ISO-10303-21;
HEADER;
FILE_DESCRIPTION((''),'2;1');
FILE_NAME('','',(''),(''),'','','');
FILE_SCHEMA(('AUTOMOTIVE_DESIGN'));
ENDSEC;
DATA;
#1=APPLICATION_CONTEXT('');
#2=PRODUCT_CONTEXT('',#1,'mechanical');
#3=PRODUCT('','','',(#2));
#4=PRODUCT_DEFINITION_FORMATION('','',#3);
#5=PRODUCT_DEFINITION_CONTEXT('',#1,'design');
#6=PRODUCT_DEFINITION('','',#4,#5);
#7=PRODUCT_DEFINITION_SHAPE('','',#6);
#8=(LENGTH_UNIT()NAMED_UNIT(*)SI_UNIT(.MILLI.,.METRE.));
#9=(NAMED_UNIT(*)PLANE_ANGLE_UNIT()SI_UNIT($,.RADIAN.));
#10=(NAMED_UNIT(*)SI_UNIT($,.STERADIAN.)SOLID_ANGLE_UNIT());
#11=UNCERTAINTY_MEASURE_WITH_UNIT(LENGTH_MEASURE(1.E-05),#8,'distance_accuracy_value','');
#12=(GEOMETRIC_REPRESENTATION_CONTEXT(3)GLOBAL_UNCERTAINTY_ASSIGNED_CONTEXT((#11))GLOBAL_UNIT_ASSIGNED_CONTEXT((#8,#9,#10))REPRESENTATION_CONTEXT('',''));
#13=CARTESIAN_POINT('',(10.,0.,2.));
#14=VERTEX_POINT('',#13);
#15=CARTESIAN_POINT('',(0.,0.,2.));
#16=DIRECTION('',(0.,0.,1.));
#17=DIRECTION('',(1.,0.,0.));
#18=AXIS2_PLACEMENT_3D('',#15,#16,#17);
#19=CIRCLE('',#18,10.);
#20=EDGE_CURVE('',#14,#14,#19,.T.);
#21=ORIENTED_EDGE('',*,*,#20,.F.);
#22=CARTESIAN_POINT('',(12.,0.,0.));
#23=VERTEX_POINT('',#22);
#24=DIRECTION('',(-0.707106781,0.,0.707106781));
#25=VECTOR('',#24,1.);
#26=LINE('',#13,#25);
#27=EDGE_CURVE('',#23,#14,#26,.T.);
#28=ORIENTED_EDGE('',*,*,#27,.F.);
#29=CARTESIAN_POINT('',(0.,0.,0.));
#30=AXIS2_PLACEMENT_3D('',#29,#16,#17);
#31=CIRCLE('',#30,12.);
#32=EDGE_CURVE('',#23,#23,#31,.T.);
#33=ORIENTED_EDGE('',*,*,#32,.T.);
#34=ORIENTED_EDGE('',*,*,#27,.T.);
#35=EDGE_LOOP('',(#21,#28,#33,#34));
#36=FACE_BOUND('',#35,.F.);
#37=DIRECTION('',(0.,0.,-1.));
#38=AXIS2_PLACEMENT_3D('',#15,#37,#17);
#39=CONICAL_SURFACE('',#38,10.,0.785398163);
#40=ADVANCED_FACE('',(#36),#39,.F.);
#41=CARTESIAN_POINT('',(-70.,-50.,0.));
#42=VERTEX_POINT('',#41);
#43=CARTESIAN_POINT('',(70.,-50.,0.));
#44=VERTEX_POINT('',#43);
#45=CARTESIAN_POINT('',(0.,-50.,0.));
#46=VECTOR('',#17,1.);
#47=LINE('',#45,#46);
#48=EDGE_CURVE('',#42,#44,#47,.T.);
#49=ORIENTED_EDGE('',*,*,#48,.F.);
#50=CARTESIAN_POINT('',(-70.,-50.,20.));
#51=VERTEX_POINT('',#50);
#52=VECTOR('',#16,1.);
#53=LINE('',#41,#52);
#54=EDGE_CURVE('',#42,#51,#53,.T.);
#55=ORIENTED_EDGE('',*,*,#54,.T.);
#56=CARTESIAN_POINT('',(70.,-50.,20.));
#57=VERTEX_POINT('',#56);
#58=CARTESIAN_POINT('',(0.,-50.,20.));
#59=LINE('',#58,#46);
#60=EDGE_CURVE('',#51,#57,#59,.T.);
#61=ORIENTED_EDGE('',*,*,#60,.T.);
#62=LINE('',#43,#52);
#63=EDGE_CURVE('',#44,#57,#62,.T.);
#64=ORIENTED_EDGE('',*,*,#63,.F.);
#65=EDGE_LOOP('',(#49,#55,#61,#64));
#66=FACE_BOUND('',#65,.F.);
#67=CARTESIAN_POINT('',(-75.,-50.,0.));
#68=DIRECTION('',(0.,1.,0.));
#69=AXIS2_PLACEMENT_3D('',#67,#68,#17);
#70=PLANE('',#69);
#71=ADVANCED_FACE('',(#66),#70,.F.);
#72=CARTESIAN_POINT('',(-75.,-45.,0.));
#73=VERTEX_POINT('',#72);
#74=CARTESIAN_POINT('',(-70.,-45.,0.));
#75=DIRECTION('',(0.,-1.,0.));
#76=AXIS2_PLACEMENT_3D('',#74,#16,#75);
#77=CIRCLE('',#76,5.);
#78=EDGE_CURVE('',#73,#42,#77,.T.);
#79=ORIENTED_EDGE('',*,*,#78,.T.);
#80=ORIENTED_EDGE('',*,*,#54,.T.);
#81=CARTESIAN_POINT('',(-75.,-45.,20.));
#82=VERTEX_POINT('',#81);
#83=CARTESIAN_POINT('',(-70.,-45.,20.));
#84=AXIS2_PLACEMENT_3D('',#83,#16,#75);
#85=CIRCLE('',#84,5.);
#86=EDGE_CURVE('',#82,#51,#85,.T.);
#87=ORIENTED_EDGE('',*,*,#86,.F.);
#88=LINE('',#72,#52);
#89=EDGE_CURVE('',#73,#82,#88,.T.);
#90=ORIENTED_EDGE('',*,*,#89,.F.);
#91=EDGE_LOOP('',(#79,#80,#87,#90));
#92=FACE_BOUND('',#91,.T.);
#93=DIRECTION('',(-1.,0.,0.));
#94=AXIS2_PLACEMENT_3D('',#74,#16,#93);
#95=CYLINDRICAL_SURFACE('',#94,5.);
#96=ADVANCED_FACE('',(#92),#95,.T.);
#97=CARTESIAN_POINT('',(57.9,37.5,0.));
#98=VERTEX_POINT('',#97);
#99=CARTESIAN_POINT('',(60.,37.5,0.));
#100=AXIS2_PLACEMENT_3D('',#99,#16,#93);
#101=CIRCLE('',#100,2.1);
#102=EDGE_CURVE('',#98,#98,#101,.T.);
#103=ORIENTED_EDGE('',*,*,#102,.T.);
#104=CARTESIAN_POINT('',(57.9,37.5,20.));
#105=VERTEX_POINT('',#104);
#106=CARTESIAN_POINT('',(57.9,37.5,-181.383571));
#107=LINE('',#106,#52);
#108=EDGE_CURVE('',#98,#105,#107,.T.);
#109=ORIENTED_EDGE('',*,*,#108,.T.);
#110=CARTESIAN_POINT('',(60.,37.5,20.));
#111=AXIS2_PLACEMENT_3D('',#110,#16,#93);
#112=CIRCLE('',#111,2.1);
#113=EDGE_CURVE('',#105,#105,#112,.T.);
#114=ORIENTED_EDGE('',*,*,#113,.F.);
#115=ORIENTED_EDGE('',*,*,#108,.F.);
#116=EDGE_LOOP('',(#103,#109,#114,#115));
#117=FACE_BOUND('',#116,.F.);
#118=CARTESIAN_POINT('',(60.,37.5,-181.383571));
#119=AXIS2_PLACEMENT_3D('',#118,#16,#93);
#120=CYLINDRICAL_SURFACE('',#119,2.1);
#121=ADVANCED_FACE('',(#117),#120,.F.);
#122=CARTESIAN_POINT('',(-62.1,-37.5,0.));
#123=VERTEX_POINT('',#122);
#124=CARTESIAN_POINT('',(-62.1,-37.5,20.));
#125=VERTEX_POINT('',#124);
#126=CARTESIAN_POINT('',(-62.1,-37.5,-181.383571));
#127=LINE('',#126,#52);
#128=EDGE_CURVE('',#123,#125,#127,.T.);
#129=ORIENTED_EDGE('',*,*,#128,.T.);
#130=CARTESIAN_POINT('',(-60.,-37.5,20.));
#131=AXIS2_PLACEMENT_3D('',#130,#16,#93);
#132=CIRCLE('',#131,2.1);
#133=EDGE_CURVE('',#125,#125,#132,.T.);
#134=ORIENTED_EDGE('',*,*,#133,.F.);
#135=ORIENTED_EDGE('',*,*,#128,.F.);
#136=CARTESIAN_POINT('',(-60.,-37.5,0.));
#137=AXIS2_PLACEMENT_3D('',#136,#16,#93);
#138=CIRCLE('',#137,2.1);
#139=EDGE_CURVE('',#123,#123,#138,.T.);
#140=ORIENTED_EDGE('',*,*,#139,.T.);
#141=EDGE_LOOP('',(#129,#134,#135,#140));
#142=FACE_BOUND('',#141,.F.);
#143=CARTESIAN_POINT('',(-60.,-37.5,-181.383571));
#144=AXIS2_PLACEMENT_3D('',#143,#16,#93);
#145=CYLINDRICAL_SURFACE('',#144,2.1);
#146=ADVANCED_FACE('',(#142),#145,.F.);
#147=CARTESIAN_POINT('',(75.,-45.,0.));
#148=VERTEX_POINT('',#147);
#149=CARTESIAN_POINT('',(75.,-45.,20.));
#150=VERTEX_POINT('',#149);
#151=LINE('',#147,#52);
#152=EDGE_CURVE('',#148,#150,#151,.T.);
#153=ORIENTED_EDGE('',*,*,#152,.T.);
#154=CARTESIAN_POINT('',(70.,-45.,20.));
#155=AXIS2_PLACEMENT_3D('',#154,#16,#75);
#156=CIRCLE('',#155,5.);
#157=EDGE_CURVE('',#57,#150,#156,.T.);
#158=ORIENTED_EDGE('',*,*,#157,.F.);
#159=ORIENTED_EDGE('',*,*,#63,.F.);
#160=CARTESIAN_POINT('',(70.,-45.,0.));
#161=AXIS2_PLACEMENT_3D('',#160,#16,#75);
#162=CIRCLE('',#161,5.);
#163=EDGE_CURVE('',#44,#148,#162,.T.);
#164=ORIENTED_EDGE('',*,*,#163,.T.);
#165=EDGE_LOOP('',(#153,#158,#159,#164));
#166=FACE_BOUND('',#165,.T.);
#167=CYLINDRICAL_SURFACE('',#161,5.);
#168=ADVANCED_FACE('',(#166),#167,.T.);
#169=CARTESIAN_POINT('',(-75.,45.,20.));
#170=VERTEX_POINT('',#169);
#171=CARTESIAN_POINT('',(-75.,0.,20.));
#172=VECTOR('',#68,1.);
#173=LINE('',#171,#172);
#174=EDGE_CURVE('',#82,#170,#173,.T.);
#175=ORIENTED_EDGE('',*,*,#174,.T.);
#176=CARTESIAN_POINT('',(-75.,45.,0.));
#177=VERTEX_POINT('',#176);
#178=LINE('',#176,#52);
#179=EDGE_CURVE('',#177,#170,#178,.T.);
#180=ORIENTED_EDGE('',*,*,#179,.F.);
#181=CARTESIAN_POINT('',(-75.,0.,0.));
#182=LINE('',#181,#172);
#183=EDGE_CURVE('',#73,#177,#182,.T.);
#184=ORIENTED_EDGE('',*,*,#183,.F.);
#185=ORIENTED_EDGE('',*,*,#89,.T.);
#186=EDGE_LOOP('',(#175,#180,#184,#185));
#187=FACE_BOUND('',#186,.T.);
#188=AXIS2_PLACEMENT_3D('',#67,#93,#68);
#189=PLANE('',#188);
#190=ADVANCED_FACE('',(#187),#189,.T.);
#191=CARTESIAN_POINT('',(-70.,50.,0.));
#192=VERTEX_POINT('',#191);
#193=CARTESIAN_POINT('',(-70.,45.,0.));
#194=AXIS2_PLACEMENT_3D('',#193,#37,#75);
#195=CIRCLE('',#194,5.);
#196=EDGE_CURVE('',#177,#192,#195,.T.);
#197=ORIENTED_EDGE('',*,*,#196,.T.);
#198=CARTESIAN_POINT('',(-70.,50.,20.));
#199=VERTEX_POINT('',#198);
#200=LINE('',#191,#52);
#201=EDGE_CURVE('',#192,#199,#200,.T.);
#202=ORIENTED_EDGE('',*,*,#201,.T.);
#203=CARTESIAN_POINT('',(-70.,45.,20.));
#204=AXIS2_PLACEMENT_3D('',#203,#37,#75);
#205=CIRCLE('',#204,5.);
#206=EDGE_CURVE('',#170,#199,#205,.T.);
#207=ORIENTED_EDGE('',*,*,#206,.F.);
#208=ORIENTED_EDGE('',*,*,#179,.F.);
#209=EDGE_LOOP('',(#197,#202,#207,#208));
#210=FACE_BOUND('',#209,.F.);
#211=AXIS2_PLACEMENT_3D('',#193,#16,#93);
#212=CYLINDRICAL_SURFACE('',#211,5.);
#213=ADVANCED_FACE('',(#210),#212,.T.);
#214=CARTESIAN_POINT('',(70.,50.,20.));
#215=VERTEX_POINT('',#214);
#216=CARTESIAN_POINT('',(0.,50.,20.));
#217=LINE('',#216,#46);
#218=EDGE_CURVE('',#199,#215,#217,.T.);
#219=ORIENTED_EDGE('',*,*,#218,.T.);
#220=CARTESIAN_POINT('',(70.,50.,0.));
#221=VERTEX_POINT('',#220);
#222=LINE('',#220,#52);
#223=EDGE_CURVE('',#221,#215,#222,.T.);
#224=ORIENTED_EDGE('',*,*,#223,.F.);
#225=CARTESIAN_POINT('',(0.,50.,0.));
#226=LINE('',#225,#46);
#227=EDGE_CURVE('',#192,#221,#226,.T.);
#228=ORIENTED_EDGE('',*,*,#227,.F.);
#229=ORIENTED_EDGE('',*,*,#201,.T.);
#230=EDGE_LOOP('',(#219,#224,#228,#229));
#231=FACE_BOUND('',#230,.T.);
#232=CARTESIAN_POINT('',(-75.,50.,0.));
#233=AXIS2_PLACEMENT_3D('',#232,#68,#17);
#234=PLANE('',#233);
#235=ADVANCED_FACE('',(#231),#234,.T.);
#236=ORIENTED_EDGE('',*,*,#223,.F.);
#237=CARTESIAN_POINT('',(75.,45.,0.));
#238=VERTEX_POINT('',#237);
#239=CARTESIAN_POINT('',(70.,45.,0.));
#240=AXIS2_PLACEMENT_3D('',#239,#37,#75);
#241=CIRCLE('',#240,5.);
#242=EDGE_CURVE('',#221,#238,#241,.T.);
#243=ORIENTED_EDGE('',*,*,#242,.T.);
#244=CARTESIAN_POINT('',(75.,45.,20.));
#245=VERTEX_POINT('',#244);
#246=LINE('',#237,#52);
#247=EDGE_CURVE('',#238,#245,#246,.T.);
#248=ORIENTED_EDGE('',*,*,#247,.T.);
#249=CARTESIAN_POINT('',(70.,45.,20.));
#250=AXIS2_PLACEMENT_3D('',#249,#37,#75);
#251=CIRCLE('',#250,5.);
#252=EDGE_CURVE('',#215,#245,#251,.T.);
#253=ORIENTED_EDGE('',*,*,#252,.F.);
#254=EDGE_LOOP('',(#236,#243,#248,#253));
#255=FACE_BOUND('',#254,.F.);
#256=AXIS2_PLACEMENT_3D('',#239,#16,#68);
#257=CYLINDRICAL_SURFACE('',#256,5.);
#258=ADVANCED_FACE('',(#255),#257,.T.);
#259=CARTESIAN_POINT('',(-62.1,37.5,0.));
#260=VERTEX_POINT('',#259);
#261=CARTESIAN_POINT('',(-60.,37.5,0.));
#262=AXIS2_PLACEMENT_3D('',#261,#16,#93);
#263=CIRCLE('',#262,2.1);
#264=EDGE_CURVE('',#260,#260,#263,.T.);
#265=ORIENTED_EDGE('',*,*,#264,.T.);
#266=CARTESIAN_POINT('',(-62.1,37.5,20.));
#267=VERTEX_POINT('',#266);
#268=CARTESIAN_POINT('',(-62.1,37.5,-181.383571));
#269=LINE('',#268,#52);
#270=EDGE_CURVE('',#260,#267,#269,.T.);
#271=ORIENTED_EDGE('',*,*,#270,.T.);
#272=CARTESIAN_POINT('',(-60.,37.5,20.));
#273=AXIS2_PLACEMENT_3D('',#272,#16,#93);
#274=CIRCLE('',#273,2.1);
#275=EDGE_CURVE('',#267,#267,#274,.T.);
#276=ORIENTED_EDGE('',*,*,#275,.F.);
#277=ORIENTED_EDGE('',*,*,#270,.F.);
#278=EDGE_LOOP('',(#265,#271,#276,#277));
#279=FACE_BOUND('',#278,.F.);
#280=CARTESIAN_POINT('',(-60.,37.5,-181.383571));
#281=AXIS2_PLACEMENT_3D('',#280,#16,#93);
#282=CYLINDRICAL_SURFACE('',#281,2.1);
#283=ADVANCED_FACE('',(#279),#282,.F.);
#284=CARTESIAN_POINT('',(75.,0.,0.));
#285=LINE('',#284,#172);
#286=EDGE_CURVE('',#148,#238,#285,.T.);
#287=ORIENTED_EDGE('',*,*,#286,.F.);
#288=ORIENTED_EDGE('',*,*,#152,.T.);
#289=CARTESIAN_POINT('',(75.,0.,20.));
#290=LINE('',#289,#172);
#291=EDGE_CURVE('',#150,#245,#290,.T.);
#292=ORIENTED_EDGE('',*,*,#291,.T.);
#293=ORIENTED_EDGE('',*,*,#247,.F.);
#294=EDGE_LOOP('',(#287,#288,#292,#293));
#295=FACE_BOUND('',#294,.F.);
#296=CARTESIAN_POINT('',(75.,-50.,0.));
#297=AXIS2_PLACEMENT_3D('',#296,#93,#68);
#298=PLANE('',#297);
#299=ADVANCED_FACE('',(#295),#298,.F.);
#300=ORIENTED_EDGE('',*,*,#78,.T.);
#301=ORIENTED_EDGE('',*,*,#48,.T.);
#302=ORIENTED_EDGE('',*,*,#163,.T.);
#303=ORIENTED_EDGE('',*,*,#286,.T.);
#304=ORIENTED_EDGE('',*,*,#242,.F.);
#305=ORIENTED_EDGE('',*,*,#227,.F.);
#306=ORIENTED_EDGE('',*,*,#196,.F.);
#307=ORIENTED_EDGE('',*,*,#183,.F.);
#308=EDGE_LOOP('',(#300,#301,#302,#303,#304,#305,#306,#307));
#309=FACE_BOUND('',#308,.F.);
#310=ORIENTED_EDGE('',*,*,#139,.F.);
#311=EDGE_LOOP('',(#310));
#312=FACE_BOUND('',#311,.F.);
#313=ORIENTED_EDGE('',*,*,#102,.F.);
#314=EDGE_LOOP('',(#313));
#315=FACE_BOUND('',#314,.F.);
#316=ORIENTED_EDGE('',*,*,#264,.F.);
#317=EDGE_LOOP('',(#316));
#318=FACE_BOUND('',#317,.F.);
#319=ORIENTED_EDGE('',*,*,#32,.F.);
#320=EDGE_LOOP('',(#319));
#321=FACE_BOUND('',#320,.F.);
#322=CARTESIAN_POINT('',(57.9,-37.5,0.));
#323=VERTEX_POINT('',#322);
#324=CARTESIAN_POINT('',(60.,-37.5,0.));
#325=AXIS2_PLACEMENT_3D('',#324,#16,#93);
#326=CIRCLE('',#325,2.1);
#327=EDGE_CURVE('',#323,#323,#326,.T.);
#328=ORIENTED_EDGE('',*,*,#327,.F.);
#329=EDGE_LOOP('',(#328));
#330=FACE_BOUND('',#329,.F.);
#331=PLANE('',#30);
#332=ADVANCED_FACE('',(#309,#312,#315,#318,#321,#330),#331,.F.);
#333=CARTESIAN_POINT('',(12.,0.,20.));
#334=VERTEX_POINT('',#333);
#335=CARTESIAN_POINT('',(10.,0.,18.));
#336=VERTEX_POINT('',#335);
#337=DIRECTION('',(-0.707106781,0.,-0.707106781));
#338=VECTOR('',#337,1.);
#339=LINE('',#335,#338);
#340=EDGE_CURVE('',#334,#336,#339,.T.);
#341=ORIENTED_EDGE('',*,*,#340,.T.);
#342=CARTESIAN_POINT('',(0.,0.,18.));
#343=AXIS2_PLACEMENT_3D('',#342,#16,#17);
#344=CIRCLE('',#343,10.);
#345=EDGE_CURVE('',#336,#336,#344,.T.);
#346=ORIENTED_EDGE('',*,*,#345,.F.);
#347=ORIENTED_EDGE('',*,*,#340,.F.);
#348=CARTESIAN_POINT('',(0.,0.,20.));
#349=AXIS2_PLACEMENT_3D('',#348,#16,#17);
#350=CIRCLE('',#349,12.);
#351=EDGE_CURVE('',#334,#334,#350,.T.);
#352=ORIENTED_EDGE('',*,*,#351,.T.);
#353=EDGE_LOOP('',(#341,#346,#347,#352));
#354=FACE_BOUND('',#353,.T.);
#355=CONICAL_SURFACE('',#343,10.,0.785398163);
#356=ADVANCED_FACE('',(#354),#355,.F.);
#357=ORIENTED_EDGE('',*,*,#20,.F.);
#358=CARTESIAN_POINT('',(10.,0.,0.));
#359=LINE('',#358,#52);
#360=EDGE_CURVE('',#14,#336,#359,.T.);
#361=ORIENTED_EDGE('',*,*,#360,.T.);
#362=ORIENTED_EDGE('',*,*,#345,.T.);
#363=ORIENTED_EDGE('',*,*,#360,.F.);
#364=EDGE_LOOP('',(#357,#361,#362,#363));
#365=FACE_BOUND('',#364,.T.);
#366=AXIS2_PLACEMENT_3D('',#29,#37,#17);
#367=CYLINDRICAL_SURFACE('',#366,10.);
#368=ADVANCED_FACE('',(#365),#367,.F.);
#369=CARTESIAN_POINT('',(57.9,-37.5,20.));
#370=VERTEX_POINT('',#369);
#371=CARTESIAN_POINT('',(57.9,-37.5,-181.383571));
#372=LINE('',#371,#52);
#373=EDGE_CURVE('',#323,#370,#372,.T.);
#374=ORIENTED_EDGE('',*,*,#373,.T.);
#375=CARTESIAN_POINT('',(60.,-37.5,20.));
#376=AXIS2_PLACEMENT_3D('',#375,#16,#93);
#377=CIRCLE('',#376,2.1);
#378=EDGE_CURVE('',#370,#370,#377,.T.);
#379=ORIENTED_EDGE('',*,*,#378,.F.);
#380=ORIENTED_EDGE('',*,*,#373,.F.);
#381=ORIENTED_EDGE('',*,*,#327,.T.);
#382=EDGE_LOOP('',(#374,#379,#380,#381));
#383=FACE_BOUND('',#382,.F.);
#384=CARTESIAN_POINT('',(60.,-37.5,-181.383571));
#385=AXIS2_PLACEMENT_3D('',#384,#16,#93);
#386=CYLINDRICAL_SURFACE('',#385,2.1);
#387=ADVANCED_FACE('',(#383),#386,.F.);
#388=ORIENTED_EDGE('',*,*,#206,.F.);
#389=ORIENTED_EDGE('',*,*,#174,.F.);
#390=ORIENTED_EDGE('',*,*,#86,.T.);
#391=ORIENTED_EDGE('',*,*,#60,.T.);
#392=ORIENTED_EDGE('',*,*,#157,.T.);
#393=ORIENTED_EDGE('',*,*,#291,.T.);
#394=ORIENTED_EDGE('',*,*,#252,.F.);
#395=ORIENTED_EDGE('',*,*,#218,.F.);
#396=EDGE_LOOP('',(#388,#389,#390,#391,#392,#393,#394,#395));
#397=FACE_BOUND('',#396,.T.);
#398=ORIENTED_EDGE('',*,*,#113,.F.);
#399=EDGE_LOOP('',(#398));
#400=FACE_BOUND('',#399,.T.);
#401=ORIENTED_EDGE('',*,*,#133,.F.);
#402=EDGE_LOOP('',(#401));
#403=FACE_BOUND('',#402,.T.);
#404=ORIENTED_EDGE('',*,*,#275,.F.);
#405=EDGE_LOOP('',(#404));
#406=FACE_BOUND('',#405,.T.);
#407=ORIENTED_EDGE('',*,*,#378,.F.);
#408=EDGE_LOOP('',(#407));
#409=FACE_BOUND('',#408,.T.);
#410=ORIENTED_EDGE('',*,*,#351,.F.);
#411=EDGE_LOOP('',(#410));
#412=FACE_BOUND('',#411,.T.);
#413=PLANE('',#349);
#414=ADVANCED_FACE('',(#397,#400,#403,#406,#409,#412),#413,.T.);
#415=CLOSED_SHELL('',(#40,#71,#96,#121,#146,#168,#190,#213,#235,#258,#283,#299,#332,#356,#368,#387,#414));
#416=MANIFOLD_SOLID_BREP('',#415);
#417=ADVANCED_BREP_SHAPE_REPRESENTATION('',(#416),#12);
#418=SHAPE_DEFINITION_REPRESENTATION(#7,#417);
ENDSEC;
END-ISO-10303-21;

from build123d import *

# Parameters (mm, degrees)
F0_W     = 150
F0_H     = 100
F0_R     = 10
F1_DEPTH = 20
F2_R     = 5
F3_SIZE  = 2
F5_D     = 4.2


with BuildPart() as f1:
    # F0 (on Top) → F1 (new body)
    with BuildSketch(Plane.XY):
        Rectangle(F0_W, F0_H)
        Circle(F0_R, mode=Mode.SUBTRACT)
    extrude(amount=F1_DEPTH)

    # F2
    f2_edges = [f1.edges().sort_by_distance(p)[0] for p in [
        (-75, -50, 10),
        (-75, 50, 10),
        (75, -50, 10),
        (75, 50, 10),
    ]]
    fillet(f2_edges, radius=F2_R)

    # F3
    f3_edges = [f1.edges().sort_by_distance(p)[0] for p in [
        (-10, 0, 0),
        (-10, 0, 20),
    ]]
    chamfer(f3_edges, length=F3_SIZE)

    # F5 (through all)
    with Locations(Plane(origin=(0, 0, 0), x_dir=(1, 0, 0), z_dir=(0, 0, -1))):
        with Locations((60, -37.5), (-60, -37.5), (-60, 37.5), (60, 37.5)):
            Hole(F5_D / 2)


solid = f1.part
